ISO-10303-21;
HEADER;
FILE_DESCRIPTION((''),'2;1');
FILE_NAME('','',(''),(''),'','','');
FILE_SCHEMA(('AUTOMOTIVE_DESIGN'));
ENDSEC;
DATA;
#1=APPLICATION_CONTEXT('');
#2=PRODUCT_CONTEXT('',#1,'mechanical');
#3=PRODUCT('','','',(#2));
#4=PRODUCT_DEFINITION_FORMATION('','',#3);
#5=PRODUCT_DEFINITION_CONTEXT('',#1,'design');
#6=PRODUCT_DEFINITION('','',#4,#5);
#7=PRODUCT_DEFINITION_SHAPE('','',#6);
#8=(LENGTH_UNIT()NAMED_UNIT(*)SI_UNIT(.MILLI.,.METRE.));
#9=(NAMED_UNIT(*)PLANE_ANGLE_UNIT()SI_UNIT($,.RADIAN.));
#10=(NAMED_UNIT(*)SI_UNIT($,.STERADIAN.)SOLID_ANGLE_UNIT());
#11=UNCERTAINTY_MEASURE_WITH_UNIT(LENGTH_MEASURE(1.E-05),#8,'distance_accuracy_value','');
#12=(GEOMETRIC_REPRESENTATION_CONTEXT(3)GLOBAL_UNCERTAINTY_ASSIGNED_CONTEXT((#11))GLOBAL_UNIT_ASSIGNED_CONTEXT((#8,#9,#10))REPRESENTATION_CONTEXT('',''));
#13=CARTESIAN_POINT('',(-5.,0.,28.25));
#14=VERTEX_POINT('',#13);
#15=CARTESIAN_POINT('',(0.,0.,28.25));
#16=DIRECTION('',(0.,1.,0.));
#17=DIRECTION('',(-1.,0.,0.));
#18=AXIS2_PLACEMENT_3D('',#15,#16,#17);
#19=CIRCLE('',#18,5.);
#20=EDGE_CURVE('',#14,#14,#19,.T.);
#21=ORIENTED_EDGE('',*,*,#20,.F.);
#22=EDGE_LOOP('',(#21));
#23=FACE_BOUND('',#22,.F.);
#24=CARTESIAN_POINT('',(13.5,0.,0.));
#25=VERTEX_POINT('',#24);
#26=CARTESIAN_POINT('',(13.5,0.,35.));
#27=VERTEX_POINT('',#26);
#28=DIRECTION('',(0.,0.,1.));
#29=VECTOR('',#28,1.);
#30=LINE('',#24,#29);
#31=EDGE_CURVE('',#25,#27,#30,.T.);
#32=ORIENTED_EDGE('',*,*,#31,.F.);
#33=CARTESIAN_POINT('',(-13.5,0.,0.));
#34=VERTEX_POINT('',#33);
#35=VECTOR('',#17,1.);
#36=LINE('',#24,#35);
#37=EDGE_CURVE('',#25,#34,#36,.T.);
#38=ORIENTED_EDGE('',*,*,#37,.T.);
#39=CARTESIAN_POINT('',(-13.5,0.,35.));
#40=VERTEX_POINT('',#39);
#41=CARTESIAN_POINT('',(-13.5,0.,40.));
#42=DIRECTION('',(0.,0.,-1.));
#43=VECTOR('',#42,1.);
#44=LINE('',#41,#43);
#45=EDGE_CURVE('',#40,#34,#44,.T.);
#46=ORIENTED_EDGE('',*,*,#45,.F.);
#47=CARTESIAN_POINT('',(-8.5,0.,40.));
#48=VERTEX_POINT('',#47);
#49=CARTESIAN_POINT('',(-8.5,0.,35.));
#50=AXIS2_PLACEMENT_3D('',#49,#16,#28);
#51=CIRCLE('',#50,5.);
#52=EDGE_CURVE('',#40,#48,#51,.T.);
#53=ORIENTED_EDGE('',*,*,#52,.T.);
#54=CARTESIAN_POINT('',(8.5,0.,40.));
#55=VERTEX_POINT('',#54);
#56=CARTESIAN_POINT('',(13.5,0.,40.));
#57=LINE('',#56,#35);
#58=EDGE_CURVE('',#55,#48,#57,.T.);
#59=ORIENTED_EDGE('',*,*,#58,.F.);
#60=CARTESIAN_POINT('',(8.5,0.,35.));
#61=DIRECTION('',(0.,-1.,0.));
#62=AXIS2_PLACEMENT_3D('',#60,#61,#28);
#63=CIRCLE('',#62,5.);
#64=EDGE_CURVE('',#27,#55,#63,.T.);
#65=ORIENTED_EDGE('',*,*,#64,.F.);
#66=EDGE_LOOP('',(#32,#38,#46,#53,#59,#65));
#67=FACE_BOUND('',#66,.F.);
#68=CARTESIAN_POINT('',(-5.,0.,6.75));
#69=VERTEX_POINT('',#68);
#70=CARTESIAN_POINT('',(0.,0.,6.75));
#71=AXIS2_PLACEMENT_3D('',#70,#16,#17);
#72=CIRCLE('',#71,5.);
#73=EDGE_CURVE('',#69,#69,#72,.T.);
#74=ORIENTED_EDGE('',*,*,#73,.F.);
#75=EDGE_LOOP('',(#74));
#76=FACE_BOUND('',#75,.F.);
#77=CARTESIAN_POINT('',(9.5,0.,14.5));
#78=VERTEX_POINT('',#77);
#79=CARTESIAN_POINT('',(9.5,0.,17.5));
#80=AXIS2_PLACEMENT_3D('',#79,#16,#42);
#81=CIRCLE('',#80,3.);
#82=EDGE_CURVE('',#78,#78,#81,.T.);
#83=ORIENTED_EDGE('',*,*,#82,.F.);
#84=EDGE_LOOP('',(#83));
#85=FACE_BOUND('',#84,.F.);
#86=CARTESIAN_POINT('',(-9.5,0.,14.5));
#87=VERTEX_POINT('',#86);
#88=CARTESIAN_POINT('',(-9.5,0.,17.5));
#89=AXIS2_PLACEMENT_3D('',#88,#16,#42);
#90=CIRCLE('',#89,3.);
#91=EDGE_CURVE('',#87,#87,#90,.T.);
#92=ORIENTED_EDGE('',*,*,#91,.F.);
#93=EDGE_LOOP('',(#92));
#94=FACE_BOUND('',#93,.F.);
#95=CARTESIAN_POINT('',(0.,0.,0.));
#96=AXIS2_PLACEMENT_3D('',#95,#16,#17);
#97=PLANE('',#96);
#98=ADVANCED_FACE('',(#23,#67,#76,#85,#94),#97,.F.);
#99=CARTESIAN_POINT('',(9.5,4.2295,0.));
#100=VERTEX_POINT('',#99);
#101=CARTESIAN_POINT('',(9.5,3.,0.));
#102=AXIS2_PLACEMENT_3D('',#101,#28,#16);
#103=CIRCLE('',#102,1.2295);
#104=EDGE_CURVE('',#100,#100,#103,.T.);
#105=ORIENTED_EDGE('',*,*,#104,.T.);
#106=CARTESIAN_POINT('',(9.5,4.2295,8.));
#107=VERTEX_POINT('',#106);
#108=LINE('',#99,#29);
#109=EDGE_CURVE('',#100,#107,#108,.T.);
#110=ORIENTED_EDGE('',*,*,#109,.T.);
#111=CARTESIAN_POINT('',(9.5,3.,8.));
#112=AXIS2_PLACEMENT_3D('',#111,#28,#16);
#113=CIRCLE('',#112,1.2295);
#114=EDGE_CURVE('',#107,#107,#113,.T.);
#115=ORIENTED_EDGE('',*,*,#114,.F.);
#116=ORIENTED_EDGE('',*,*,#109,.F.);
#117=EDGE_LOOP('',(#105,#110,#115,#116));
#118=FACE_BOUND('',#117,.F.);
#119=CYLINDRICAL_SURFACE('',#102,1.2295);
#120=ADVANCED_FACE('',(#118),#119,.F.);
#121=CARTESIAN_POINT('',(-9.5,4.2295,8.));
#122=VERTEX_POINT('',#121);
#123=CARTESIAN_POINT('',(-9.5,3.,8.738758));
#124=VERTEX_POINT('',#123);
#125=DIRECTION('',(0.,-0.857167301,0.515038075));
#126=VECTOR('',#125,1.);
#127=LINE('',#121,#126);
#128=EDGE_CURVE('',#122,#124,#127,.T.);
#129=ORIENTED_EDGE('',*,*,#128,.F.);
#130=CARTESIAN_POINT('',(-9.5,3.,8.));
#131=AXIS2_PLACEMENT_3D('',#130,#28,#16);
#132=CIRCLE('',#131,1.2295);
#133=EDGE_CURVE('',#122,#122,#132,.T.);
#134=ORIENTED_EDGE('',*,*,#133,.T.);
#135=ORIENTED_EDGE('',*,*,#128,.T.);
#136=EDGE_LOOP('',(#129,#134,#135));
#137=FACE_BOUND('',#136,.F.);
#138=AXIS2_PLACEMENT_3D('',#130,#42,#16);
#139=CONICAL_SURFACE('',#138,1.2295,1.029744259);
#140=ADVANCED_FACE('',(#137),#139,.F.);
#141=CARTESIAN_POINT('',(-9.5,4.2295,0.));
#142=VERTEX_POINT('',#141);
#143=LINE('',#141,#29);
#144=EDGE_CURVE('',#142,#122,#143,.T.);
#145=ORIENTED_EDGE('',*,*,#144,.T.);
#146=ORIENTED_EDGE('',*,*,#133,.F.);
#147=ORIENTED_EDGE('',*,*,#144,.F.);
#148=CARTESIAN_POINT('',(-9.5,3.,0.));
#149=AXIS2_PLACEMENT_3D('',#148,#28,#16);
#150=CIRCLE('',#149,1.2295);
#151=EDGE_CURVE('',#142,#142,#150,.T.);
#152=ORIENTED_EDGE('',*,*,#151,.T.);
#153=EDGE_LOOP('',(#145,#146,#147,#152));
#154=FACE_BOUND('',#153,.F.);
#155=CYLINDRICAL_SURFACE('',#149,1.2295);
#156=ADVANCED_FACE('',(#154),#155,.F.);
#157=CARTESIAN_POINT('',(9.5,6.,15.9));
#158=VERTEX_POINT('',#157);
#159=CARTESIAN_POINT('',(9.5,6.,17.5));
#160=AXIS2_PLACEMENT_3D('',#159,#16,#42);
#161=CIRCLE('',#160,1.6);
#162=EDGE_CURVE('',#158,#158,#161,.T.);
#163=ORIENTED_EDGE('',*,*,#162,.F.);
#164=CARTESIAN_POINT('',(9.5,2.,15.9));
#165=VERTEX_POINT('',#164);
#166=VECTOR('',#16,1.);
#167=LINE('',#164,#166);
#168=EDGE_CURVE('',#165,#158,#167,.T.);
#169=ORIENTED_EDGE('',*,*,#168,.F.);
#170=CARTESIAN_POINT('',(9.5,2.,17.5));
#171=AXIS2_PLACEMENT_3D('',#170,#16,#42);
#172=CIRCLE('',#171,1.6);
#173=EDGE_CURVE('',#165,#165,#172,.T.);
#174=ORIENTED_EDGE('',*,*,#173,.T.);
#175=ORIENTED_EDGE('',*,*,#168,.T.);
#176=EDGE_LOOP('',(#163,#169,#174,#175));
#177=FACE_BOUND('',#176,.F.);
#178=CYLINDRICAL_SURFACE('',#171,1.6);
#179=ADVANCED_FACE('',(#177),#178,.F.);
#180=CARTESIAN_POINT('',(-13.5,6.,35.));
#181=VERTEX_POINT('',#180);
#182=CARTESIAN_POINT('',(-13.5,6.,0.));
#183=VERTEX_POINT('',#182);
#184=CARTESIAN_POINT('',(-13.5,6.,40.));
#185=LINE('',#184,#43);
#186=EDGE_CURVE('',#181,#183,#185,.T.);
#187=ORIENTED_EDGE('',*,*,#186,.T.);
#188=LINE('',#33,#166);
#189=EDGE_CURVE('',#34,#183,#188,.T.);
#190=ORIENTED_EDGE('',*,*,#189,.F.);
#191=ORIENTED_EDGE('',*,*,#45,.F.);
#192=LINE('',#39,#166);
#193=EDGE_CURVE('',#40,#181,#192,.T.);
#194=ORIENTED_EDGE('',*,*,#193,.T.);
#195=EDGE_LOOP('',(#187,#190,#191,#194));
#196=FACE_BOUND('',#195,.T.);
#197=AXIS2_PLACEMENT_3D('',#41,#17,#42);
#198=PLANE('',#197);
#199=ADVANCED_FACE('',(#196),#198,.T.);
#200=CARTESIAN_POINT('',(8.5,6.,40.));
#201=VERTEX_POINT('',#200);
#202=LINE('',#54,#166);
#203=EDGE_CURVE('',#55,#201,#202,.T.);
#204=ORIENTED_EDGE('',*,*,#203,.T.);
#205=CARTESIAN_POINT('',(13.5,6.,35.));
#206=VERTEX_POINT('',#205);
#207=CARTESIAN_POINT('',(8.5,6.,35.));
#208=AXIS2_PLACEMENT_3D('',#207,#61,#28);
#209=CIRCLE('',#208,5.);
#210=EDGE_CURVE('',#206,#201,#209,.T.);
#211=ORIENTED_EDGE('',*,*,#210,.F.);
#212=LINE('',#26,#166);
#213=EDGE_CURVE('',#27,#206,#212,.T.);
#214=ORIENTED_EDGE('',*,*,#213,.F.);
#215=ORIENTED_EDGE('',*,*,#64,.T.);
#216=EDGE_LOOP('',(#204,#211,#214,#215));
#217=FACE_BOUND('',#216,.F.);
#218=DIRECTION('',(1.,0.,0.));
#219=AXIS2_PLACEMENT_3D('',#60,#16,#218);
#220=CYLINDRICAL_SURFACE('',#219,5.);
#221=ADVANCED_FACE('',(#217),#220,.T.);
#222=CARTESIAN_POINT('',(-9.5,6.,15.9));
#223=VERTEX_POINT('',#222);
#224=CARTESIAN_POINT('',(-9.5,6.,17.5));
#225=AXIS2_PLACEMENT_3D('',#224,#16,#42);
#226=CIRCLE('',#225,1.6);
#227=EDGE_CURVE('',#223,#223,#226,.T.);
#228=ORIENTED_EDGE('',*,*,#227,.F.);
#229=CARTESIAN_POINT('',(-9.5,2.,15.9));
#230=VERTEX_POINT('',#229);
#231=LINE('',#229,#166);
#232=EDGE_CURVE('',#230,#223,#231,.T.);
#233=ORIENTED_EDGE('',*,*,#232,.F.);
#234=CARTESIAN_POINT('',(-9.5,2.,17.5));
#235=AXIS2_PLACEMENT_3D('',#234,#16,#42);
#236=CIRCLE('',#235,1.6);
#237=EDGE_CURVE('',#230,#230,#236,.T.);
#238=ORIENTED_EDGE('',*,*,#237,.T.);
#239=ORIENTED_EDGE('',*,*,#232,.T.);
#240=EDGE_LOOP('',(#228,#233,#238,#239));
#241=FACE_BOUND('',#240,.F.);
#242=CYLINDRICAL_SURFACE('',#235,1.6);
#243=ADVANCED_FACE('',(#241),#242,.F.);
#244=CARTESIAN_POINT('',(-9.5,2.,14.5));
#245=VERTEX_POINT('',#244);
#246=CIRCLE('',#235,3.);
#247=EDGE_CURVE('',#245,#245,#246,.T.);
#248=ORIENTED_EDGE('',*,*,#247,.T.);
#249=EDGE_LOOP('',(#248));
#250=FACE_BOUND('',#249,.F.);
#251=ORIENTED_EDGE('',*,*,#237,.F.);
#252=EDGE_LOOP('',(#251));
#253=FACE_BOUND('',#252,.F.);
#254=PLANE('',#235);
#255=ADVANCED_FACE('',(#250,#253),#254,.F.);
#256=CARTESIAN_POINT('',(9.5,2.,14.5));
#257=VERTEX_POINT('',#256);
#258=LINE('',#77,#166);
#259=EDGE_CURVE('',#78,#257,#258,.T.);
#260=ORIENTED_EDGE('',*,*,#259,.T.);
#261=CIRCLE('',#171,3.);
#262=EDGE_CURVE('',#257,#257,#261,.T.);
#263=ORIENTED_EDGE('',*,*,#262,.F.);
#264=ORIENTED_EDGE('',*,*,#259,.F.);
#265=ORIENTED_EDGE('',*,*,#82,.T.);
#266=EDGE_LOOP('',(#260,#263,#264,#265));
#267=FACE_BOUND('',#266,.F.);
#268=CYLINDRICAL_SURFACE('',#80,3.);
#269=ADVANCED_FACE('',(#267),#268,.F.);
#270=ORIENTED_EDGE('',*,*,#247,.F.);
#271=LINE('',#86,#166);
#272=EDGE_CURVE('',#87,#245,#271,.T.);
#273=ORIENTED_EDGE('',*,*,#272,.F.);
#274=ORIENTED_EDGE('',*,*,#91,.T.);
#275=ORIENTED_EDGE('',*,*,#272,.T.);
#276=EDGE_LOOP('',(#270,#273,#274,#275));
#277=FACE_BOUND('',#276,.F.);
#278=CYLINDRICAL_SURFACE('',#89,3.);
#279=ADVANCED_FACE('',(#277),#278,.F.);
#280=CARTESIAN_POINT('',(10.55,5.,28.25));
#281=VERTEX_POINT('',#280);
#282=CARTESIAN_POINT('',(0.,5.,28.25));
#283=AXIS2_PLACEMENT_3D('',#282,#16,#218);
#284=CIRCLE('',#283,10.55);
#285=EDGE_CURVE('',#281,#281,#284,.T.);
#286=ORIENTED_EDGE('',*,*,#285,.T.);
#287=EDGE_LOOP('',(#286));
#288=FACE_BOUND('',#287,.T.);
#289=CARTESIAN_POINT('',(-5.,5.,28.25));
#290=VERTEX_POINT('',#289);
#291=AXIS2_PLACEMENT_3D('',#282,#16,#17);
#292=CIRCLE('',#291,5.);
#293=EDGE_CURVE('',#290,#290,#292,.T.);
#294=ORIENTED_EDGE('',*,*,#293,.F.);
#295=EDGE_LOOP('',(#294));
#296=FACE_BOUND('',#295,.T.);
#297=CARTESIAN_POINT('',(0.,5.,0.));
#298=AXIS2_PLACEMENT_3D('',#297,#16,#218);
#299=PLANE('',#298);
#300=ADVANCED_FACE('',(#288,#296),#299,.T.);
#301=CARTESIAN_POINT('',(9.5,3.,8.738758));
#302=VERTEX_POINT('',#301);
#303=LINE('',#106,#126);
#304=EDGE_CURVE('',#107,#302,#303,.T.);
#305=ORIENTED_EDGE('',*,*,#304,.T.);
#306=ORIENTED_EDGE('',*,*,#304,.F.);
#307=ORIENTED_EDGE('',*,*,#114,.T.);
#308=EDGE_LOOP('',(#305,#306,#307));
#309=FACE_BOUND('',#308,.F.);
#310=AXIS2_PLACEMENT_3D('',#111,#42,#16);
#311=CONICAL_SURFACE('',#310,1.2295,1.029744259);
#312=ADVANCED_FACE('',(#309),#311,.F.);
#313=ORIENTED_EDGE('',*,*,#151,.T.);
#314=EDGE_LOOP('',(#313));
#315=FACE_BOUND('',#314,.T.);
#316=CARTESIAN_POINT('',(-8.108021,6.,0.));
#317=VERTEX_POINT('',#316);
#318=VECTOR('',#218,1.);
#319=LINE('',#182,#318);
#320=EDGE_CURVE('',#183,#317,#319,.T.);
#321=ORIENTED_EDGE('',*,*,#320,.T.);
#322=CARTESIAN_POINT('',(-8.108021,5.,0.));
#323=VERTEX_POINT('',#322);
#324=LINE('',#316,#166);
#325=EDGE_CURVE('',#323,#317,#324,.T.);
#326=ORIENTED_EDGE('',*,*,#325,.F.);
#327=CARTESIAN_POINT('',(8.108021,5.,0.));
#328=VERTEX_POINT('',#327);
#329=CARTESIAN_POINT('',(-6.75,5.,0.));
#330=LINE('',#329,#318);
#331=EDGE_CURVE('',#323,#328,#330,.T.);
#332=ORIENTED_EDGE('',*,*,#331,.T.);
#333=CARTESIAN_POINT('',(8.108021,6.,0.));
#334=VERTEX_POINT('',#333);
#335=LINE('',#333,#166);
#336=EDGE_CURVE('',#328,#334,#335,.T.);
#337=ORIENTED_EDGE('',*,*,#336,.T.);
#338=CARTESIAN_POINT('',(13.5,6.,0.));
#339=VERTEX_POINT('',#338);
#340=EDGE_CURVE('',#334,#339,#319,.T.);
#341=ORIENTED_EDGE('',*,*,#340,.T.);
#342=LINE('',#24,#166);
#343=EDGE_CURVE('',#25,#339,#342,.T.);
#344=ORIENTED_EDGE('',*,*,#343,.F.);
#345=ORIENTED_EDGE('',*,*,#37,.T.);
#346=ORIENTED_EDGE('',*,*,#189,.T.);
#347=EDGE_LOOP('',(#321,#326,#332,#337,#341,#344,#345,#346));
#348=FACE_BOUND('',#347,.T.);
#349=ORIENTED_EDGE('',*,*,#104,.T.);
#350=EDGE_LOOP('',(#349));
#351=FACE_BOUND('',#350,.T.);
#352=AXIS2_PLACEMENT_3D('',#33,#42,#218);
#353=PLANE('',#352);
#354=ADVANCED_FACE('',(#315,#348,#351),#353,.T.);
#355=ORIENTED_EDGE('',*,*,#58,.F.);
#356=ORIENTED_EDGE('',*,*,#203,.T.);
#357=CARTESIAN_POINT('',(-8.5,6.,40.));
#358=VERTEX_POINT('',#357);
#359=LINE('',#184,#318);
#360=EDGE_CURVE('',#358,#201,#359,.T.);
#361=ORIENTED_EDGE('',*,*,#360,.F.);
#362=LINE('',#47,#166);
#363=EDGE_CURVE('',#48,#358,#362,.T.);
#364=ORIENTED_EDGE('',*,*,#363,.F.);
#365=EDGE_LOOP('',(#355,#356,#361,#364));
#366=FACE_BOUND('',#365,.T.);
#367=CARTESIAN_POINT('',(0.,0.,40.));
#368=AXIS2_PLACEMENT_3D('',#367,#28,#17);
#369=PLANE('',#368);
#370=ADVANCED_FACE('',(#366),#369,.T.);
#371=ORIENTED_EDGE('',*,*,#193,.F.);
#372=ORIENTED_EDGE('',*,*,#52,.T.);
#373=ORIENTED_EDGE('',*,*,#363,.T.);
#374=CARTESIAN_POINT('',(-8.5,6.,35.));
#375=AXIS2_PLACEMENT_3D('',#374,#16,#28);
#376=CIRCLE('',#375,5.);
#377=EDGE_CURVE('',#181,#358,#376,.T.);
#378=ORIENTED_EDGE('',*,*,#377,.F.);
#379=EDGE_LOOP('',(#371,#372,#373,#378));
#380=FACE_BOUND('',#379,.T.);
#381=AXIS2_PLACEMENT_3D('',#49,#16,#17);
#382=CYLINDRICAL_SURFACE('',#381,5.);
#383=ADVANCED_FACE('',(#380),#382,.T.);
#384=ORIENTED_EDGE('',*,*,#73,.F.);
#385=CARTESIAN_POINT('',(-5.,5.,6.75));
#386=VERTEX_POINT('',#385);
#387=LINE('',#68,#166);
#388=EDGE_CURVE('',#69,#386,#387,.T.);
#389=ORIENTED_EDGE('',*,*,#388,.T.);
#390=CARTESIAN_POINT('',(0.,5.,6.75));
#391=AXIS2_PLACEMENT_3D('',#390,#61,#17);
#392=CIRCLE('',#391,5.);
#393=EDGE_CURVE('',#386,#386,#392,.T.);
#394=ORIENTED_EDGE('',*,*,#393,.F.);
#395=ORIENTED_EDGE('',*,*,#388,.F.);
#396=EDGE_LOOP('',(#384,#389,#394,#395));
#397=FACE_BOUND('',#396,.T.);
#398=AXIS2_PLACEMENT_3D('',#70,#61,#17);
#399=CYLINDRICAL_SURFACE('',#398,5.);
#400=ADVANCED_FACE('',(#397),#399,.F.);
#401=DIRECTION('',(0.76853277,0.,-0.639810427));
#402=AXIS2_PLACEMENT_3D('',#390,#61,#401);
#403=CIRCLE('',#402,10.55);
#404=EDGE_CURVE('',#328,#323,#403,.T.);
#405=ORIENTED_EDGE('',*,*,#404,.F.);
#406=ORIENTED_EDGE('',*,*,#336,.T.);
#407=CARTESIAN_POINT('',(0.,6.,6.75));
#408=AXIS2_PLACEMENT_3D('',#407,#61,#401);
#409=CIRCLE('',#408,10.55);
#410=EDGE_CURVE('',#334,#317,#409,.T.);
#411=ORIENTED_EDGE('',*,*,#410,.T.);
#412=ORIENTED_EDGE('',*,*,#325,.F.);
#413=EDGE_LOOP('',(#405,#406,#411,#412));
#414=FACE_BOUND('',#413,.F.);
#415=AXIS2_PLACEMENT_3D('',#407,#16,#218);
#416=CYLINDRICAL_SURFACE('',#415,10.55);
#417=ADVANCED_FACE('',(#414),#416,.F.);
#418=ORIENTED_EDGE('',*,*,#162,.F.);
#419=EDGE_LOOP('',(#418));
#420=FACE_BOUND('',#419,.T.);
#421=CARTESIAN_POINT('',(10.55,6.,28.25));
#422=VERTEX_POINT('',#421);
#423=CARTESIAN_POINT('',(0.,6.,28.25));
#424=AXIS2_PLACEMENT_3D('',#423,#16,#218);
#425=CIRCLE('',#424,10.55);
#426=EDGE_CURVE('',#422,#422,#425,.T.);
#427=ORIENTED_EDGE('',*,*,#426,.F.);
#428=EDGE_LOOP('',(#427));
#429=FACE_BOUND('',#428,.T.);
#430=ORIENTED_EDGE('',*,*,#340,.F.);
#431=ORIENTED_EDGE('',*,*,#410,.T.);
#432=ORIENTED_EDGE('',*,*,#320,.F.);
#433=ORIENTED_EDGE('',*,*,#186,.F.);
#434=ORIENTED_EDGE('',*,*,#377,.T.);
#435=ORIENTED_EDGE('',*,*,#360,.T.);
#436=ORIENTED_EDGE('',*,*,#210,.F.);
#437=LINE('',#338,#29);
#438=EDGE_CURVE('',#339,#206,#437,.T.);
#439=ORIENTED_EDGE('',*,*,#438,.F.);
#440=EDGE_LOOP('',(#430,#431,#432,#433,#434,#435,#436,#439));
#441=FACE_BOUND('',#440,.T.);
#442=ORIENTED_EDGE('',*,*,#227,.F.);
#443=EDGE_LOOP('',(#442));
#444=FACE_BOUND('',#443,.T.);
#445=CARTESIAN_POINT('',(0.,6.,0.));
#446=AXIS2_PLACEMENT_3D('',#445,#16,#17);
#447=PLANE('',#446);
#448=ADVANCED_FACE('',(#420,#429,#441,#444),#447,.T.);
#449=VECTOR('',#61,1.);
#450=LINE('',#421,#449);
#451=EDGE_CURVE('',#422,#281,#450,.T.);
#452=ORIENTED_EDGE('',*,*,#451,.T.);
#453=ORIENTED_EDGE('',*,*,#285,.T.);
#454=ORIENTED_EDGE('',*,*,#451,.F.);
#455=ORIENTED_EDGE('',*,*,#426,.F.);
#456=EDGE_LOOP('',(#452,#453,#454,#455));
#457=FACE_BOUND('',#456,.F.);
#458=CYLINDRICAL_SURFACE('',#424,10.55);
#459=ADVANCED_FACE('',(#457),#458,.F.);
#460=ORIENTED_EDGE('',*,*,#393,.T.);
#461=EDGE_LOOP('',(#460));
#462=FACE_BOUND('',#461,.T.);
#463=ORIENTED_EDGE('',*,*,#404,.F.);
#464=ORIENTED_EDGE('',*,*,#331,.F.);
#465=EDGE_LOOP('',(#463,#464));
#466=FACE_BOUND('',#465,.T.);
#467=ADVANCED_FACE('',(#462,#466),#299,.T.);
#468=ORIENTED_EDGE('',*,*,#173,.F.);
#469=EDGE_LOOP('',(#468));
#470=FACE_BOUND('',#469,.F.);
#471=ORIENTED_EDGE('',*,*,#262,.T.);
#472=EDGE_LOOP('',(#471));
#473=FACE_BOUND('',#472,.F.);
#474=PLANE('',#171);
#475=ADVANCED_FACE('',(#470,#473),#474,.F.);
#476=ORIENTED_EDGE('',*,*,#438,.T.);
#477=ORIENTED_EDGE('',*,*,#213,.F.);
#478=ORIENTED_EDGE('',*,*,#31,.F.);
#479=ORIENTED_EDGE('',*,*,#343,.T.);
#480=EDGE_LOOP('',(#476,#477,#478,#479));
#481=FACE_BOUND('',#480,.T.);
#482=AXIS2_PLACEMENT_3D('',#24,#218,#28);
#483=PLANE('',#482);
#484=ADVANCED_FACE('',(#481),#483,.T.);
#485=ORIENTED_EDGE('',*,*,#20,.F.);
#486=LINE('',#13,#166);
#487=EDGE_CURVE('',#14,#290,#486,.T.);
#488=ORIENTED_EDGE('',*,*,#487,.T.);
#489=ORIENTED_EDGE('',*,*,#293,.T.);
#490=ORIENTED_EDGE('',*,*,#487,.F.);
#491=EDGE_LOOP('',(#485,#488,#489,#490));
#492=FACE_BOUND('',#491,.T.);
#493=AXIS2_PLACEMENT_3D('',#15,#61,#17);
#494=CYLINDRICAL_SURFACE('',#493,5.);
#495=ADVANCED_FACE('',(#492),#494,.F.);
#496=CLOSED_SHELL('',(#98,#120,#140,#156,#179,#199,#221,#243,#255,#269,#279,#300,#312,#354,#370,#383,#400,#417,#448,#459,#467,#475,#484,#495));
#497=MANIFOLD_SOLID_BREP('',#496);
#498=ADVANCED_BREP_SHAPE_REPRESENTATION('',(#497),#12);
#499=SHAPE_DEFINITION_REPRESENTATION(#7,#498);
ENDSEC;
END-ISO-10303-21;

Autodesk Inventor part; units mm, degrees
ref_plane "YZ Plane" through (0, 0, 0) normal (1, 0, 0) x (0, 1, 0)
ref_plane "XZ Plane" through (0, 0, 0) normal (0, 1, 0) x (-1, 0, 0)
ref_plane "XY Plane" through (0, 0, 0) normal (0, 0, 1) x (1, 0, 0)
sketch "Skizze1" plane through (0, 0, 0) normal (0, 1, 0) x (-1, 0, 0)
  line L0 (13.5, 0) -> (-13.5, 0)
  line L1 (-13.5, 0) -> (-13.5, 40)
  line L2 (-13.5, 40) -> (13.5, 40)
  line L3 (13.5, 40) -> (13.5, 0)
  line L4 (0, -12.8) -> (0, 48.8) projected
  circle A0 centre (0, 6.75) radius 5
  circle A1 centre (0, 28.25) radius 5
  circle A2 centre (0, 28.25) radius 10.75 construction
  circle A3 centre (0, 6.75) radius 10.75 construction
  line L5 (0, 6.75) -> (0, -4) construction
  point P0 (0, 0)
  dimension "d4" = 21.5
  dimension "d0" = 27
  dimension "d1" = 10
  dimension "d2" = 10
  dimension "d3" = 21.5
  dimension "d8" = 4
  dimension "d35" = 40
extrude "Extrusion1" add sketch "Skizze1" along normal blind 6 contours L0 L4 A0 A1 L2 L3 | L0 L1 L2 L4 A1 A0
sketch "Skizze2" plane through (13.5, 0, 0) normal (0, 0, -1) x (-1, 0, 0)
  line L0 (0, 0) -> (27, 0) projected
  line L1 (0, 6) -> (27, 6) projected
  line L2 (25.041, 3) -> (0, 3) construction
  line L3 (13.5, 0) -> (13.5, 6) construction
  line L4 (27, 0) -> (27, 6) projected
  line L5 (0, 0) -> (0, 6) projected
  point P0 (23, 3)
  point P1 (4, 3)
  dimension "d68" = 9.5
hole "Bohrung1" at (-9.5, 3, 0) at (9.5, 3, 0) direction (0, 0, 1) diameter 2.459 depth 8 tip angle 118 thread size "M3x0.5" class "6H" standard "ISO Metric profile"
sketch "Skizze5" plane through (0, 6, 0) normal (0, 1, 0) x (1, 0, 0)
  circle A0 centre (0, -28.25) radius 5 projected
  circle A1 centre (0, -28.25) radius 5 projected
  circle A2 centre (0, -6.75) radius 5 projected
  circle A3 centre (0, -6.75) radius 5 projected
  circle A4 centre (0, -28.25) radius 10.55
  circle A5 centre (0, -6.75) radius 10.55
  point P0 (0, 0)
  dimension "d44" = 21.1
extrude "Extrusion2" cut sketch "Skizze5" against normal blind 1
fillet "Fillet2" radius 5 2 edges at (-13.5, 3, 40) (13.5, 3, 40)
sketch "Sketch7" plane through (0, 0, 0) normal (0, -1, 0) x (1, 0, 0)
  arc A0 (13.5, 35) -> (8.5, 40) centre (8.5, 35) ccw construction
  line L0 (-8.5, 40) -> (8.5, 40) construction
  arc A1 (-8.5, 40) -> (-13.5, 35) centre (-8.5, 35) ccw construction
  line L1 (-13.5, 0) -> (-13.5, 35) construction
  line L2 (13.5, 0) -> (-13.5, 0) construction
  line L3 (13.5, 35) -> (13.5, 0) construction
  circle A2 centre (0, 28.25) radius 5 construction
  circle A3 centre (0, 6.75) radius 5 construction
  line L4 (0, 28.25) -> (0, 6.75) construction
  line L5 (-13.5, 0) -> (-13.5, 35) construction
  line L6 (-13.5, 17.5) -> (13.5, 17.5) construction
  line L7 (13.5, 35) -> (13.5, 0) construction
  point P0 (0, 0)
  point P1 (0, 17.5)
  point P2 (-9.5, 17.5)
  point P3 (9.5, 17.5)
  dimension "d66" = 9.5
  dimension "d67" = 9.5
hole "Hole5" at (-9.5, 0, 17.5) at (9.5, 0, 17.5) direction (0, 1, 0) diameter 3.2 depth 8 tip angle 118 counterbore diameter 6 counterbore depth 2
equation "\"d4\" = d3"
equation "\"d67\" = d66"
properties part number "kicker_base_v2" material "Steel, Carbon"
